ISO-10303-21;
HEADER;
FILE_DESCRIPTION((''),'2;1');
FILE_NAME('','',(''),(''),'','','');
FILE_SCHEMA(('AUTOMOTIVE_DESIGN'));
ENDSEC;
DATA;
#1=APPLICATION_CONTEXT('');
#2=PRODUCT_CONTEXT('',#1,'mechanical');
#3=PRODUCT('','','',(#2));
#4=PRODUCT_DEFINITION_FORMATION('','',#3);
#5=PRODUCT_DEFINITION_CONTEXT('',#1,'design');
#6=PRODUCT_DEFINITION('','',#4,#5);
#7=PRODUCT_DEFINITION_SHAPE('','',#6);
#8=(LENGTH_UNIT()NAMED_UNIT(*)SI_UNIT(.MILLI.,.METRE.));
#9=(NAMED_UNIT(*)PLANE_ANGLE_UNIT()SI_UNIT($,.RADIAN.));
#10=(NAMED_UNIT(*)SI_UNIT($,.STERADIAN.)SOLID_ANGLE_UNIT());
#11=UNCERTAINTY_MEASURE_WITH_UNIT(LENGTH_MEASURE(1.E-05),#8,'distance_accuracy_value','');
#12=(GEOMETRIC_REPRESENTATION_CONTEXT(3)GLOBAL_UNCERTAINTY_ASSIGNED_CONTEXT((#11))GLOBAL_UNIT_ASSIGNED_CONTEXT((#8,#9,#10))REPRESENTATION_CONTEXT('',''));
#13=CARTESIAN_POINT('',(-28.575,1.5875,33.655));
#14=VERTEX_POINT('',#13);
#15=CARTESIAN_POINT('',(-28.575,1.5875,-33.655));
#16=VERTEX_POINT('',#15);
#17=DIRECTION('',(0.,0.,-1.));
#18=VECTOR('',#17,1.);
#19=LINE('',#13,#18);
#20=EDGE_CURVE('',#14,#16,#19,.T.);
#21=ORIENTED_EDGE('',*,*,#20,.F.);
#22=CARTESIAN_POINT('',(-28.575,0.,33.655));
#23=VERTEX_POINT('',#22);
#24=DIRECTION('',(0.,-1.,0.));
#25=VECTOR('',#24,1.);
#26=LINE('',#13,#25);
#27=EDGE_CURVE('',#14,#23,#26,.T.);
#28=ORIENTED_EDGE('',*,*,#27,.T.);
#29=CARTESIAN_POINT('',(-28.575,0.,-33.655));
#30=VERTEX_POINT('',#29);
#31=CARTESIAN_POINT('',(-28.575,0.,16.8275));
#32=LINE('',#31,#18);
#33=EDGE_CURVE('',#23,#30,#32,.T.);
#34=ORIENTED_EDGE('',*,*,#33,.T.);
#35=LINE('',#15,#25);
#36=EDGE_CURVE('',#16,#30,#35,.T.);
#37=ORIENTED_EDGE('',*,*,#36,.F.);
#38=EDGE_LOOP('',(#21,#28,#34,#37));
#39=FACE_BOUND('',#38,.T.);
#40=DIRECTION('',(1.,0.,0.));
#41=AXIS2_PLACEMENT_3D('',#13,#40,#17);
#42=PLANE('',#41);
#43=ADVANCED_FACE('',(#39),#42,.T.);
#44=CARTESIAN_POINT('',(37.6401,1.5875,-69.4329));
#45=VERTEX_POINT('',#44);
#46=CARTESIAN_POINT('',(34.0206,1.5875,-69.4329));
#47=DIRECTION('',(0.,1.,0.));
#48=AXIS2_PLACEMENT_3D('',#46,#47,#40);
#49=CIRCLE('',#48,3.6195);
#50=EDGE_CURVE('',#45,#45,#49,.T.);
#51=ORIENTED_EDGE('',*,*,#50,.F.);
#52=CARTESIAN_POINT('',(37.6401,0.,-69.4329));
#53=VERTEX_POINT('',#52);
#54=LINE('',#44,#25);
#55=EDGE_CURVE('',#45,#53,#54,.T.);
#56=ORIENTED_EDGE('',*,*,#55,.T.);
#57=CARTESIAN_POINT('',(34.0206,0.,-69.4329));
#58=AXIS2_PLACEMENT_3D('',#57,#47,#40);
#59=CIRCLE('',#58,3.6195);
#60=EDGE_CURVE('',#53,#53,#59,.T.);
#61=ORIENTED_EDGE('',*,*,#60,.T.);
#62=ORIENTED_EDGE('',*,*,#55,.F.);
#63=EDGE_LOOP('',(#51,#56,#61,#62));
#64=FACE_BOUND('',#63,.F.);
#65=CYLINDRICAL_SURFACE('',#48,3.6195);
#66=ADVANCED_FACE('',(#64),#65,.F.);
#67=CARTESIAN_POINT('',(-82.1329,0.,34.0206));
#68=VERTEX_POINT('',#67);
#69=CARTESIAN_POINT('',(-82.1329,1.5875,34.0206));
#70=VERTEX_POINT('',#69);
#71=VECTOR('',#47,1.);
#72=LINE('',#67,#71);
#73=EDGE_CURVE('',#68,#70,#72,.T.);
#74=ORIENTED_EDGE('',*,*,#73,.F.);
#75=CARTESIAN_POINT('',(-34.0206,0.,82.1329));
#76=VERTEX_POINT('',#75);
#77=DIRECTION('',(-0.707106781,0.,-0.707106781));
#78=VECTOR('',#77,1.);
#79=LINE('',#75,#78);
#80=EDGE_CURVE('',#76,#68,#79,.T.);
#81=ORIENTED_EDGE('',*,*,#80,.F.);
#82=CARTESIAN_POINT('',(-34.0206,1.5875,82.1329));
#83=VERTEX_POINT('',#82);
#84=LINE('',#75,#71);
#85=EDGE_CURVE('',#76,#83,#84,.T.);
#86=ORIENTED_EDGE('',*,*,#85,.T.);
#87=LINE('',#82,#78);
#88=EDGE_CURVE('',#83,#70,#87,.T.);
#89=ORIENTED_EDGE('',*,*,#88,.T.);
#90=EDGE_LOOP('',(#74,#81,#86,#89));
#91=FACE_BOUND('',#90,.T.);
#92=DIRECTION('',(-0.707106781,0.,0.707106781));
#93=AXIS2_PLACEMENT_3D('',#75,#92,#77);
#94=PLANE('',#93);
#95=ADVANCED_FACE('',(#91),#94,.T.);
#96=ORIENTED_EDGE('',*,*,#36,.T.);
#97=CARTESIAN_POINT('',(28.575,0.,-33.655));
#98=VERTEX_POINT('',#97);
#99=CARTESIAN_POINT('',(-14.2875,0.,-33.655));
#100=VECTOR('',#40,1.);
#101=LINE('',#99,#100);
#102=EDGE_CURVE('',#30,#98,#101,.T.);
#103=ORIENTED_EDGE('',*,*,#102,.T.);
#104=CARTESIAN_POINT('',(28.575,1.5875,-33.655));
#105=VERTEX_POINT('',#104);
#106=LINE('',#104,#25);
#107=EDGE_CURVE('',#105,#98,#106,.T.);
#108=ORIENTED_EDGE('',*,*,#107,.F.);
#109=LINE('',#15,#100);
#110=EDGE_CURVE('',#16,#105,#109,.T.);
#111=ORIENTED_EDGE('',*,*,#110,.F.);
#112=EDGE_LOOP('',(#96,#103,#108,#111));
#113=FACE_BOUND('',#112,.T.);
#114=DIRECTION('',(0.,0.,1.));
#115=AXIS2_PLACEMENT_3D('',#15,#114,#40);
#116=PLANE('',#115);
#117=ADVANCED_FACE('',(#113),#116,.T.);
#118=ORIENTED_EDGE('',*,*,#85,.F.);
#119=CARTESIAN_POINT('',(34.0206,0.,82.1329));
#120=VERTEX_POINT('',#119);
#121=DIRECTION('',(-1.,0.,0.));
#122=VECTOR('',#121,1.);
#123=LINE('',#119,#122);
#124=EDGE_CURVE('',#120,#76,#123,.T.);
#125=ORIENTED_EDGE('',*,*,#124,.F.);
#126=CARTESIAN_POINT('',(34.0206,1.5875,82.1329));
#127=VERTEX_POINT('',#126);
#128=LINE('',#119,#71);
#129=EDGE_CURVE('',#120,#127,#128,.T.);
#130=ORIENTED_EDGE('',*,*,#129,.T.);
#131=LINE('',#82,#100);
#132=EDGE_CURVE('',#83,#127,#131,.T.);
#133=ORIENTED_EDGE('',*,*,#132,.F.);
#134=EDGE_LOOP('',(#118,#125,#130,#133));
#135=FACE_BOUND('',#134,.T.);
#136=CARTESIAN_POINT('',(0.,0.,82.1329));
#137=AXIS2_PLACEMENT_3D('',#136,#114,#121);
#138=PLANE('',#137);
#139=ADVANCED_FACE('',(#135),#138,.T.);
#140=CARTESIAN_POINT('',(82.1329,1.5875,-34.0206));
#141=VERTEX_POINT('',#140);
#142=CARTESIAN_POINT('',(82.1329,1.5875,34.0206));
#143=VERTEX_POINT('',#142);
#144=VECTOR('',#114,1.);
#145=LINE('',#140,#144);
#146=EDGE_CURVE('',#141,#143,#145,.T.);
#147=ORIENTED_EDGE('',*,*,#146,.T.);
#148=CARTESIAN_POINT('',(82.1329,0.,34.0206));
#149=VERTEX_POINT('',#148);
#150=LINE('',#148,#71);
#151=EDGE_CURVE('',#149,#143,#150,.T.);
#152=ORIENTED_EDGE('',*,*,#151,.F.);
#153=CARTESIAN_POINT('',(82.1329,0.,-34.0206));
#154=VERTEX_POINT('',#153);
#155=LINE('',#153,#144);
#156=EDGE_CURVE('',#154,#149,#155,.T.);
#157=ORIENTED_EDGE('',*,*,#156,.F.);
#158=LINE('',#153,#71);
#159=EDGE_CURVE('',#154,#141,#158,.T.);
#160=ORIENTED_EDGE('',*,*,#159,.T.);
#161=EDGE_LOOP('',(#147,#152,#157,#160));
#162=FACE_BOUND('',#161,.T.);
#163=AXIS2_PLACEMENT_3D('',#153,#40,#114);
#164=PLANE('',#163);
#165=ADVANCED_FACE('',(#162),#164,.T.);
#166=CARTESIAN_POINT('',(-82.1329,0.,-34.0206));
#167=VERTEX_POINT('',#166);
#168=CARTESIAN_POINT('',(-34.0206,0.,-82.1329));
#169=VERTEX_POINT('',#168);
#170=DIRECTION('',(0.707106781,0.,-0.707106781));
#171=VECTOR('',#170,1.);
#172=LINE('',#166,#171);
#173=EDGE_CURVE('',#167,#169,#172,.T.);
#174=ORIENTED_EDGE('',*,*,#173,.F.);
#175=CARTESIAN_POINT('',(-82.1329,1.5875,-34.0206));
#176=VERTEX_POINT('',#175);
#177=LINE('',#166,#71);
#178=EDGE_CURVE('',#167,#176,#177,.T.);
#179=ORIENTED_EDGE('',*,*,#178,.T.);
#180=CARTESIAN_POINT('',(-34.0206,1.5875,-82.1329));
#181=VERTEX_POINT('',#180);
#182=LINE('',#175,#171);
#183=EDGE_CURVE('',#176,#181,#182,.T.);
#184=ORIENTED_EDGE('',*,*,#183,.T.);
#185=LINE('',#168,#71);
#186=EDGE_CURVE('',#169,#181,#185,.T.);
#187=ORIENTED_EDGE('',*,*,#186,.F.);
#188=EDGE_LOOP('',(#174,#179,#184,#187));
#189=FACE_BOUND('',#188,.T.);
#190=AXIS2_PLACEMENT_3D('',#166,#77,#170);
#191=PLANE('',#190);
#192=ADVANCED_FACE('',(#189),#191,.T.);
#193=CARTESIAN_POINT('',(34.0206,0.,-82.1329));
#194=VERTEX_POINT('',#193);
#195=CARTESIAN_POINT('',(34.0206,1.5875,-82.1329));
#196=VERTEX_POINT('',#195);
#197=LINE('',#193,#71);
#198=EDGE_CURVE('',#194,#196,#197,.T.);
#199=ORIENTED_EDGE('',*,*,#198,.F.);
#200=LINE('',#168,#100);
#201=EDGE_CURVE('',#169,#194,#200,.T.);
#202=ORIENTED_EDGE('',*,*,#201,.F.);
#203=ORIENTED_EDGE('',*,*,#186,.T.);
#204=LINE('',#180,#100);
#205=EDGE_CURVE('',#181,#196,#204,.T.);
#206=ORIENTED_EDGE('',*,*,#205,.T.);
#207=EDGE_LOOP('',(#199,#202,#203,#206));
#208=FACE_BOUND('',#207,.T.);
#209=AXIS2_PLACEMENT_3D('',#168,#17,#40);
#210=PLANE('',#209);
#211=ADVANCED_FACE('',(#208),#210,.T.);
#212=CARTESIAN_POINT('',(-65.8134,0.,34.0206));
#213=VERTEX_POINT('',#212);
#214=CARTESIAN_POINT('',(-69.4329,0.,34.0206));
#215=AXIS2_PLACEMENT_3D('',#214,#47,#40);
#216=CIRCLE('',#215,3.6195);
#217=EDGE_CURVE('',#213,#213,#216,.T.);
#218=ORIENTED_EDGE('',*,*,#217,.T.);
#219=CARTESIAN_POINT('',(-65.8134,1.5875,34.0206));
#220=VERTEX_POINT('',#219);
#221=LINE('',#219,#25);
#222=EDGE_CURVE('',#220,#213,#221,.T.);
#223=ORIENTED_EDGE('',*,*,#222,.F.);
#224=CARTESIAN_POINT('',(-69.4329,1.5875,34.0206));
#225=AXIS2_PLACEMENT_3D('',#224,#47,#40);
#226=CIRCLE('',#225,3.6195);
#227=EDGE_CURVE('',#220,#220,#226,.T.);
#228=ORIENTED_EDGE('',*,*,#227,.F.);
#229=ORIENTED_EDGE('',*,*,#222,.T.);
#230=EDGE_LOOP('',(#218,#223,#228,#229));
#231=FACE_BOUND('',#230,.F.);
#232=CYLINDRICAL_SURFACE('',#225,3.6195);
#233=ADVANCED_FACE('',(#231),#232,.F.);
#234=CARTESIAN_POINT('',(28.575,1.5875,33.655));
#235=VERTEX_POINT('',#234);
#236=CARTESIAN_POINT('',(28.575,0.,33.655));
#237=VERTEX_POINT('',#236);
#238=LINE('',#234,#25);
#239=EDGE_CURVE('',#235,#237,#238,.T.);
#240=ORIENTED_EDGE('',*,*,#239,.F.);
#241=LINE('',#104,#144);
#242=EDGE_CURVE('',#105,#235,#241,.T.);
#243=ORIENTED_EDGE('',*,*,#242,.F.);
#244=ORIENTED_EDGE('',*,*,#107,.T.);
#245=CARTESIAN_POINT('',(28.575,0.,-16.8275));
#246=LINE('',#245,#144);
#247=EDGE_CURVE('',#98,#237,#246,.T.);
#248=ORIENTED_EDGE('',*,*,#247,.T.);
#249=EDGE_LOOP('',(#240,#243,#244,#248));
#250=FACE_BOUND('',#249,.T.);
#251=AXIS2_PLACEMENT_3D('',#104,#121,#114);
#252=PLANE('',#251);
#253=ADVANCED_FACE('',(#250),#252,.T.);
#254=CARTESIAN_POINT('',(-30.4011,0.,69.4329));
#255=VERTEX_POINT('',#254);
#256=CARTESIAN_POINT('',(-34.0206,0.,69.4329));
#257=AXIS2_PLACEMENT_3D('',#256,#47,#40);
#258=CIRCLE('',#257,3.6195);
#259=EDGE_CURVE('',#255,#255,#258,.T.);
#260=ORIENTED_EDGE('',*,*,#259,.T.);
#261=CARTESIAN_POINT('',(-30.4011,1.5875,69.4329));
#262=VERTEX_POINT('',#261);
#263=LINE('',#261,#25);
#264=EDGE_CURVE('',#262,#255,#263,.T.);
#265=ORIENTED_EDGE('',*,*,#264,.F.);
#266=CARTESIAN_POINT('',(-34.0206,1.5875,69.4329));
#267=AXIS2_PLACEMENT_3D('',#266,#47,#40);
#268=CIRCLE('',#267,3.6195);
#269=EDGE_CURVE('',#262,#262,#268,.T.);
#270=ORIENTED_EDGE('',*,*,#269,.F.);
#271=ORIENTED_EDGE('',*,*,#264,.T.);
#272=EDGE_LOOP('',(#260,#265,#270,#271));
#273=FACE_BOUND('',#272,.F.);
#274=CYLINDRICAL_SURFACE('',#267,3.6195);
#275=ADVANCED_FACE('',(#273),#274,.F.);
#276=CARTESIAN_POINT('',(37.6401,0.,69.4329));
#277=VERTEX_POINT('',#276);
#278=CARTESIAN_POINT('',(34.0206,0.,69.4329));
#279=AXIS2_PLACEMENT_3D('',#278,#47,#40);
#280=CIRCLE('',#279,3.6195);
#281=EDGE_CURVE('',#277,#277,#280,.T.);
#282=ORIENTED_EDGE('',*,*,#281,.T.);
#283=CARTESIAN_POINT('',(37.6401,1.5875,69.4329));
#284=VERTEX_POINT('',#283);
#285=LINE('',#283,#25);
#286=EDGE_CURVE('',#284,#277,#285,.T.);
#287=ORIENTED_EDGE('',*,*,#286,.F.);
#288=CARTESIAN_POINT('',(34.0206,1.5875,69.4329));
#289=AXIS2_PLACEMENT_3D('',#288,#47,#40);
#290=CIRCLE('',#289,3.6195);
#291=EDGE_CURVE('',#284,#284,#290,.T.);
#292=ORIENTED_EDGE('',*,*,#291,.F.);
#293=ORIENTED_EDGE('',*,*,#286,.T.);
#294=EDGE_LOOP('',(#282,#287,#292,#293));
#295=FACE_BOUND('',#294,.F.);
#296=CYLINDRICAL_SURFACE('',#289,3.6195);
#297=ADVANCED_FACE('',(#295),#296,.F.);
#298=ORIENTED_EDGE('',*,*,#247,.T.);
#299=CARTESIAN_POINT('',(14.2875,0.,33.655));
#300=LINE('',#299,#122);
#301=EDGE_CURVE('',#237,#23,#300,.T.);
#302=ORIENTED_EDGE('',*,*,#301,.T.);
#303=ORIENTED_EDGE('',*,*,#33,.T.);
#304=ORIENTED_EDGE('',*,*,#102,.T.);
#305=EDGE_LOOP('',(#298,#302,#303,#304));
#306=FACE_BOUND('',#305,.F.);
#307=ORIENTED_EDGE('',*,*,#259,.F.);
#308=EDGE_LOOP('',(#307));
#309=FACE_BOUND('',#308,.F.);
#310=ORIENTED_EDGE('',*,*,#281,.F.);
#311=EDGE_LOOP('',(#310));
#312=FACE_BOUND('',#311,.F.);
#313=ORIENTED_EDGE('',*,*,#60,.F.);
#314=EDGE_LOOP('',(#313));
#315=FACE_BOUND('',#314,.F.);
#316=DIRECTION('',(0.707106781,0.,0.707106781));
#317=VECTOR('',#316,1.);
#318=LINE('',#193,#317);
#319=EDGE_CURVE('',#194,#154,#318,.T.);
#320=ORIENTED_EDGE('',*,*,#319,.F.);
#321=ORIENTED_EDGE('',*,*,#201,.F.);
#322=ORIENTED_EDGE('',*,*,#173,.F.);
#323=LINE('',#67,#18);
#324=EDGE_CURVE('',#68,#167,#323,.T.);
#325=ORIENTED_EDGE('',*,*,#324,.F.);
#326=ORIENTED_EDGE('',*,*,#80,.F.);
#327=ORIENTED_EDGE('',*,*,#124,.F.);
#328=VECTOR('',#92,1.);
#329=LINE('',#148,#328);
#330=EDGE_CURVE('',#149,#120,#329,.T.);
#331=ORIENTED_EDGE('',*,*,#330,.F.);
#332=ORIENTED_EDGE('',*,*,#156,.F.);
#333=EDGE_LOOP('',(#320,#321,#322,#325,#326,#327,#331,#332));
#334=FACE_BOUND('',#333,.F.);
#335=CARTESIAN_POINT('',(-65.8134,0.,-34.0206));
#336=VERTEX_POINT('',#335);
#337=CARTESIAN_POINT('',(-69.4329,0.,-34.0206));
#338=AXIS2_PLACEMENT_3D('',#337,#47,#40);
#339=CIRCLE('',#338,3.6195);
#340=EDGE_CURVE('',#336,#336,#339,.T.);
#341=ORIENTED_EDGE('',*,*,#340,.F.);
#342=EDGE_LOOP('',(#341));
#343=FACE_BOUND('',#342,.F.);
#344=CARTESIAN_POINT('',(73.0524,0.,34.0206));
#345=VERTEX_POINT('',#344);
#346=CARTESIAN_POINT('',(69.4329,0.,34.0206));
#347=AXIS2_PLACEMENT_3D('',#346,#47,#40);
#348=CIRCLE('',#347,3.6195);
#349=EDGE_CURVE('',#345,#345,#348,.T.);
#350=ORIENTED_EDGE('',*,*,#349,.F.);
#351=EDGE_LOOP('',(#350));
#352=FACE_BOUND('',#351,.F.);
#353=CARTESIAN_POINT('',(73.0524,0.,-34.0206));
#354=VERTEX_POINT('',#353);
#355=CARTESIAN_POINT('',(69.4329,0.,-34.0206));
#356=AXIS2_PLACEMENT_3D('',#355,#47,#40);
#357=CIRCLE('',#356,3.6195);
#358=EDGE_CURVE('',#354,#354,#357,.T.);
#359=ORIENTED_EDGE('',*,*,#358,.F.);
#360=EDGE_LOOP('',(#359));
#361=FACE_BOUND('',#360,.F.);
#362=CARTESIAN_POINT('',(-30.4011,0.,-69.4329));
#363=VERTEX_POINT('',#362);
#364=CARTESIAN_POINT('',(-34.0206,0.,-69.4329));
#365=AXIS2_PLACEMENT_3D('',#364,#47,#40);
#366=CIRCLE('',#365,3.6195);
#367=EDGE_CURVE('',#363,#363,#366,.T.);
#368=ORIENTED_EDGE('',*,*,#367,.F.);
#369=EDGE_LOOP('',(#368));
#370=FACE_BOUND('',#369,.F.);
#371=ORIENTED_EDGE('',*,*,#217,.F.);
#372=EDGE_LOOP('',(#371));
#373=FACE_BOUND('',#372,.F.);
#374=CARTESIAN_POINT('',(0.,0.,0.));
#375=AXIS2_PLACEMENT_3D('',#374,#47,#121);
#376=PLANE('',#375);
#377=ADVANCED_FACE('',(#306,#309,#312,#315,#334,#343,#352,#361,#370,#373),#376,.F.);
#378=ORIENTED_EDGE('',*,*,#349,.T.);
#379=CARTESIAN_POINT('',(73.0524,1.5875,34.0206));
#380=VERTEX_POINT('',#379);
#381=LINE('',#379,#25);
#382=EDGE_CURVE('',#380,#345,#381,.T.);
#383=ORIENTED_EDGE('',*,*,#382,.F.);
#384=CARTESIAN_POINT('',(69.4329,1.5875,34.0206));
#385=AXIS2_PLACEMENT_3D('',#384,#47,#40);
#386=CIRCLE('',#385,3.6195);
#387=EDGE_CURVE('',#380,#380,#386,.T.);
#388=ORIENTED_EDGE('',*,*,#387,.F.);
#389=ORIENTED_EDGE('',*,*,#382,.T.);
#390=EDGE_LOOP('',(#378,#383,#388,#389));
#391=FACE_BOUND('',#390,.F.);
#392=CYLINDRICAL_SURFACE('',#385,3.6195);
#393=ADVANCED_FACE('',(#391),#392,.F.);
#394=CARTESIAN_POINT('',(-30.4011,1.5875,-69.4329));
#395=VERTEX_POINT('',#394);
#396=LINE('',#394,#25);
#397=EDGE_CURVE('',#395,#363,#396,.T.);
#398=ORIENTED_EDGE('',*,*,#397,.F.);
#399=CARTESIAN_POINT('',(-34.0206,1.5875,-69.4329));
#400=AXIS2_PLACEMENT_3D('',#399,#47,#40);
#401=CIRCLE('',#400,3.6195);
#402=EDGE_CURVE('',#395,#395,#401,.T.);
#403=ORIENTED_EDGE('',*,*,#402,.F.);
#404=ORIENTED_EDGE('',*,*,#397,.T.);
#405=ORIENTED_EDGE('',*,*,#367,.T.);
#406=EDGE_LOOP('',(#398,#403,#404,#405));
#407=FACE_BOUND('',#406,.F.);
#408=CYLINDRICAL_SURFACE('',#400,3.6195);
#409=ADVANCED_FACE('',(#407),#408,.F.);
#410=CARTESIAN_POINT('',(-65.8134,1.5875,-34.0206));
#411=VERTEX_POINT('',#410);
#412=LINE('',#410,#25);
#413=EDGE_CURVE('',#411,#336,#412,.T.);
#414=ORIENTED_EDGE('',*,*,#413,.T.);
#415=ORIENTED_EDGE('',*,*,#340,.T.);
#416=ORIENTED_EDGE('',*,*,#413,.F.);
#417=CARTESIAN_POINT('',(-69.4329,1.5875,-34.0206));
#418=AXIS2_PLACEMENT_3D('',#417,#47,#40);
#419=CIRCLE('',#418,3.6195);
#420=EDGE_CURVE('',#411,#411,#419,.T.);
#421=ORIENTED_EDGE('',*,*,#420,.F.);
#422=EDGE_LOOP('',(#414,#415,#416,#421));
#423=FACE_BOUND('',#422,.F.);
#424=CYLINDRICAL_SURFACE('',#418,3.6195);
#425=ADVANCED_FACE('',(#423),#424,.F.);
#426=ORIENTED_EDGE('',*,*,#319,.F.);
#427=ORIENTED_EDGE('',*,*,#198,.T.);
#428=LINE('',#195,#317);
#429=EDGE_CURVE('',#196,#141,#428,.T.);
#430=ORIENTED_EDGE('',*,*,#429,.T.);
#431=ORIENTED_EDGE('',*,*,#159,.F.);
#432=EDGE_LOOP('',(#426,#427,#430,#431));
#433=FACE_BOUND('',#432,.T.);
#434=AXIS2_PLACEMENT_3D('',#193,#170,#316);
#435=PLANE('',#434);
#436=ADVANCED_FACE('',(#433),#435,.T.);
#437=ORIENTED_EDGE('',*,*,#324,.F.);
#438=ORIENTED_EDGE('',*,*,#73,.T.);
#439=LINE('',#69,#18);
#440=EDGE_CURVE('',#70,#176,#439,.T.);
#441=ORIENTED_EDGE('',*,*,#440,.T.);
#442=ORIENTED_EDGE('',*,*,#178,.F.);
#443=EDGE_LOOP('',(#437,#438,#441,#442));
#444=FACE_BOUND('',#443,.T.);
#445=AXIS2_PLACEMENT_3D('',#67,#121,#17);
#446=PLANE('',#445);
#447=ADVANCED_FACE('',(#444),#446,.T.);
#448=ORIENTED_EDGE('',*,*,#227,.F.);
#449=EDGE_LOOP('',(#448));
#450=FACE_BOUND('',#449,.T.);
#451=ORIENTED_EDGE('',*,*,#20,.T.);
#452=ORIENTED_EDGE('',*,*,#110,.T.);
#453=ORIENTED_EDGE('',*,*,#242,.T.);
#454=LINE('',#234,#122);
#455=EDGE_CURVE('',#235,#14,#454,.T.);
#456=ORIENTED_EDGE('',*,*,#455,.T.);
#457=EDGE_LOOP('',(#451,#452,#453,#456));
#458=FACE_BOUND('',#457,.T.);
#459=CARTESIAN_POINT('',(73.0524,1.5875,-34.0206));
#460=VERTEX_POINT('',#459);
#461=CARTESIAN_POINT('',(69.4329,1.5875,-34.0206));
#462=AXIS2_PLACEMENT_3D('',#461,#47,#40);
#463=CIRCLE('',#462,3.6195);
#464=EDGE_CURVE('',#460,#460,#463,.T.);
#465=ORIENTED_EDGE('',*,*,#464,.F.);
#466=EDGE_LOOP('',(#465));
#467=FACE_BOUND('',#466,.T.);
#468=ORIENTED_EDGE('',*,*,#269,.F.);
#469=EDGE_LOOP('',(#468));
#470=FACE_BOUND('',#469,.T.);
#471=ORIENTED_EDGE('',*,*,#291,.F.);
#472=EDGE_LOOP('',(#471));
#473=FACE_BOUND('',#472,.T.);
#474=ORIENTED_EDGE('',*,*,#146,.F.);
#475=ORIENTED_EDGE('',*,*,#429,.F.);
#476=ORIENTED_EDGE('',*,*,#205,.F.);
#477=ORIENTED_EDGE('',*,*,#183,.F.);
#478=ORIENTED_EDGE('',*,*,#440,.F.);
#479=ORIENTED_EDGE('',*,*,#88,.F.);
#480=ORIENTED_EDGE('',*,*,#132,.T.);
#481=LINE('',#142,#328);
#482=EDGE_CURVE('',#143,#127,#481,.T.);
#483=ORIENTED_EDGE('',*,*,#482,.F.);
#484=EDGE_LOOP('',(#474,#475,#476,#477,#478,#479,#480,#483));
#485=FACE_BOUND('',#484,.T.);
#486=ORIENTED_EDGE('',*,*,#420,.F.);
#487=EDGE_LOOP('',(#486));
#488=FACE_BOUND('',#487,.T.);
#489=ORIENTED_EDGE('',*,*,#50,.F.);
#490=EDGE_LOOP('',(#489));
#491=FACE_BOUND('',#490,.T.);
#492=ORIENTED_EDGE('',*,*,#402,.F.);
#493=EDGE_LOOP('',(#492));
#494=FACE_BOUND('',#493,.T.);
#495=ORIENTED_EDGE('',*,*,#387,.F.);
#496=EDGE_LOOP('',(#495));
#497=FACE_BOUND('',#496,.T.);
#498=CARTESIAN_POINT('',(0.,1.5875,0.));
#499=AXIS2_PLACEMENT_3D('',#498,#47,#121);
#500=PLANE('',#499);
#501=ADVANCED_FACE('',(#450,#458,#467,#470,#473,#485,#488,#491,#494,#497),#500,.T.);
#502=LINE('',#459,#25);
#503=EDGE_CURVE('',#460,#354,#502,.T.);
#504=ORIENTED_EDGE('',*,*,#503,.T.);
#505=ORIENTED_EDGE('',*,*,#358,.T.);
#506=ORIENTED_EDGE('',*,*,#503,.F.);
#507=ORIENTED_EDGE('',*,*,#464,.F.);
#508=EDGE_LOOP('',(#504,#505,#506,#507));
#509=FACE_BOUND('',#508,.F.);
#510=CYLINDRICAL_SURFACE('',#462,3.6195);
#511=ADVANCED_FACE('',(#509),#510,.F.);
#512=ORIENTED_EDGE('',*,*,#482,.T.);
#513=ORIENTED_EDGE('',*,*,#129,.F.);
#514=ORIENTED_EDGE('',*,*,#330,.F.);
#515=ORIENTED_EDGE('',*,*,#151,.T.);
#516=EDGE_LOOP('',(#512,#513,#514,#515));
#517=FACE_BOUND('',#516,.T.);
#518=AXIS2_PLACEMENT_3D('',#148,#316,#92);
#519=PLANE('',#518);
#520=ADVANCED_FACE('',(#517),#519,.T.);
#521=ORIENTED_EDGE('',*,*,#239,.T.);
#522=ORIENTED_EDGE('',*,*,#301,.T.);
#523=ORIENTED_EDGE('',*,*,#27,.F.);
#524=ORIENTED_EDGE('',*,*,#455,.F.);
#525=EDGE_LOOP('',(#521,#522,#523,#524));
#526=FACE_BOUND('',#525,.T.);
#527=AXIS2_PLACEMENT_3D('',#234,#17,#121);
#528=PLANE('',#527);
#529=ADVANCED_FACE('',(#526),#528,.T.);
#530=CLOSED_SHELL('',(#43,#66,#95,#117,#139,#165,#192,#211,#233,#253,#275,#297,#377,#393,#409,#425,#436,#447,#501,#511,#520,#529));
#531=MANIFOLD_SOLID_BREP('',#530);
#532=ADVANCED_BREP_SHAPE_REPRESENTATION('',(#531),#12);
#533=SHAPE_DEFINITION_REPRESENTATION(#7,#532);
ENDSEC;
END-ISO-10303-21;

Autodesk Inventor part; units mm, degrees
ref_plane "YZ Plane" through (0, 0, 0) normal (1, 0, 0) x (0, 1, 0)
ref_plane "XZ Plane" through (0, 0, 0) normal (0, 1, 0) x (-1, 0, 0)
ref_plane "XY Plane" through (0, 0, 0) normal (0, 0, 1) x (1, 0, 0)
sketch "Sketch1" plane through (0, 0, 0) normal (0, 1, 0) x (-1, 0, 0)
  circle A0 centre (0, 0) radius 88.9
  line L0 (0, 0) -> (121.8821, 50.4852)
  line L1 (0, 0) -> (0, 134.8176)
  line L2 (82.1329, 34.0206) -> (82.1329, -34.0206)
  line L3 (82.1329, -34.0206) -> (34.0206, -82.1329)
  line L4 (34.0206, -82.1329) -> (-34.0206, -82.1329)
  line L5 (-34.0206, -82.1329) -> (-82.1329, -34.0206)
  line L6 (-82.1329, -34.0206) -> (-82.1329, 34.0206)
  line L7 (-82.1329, 34.0206) -> (-34.0206, 82.1329)
  line L8 (-34.0206, 82.1329) -> (34.0206, 82.1329)
  line L9 (34.0206, 82.1329) -> (82.1329, 34.0206)
  dimension "d0" = 177.8
  dimension "d1" = 67.5
  dimension "d2" = 164.2658
extrude "Extrusion1" add sketch "Sketch1" along normal blind 1.5875 contours L2 L3 L4 L5 L6 L7 L8 L1 L0 | L0 L1 L8 L9
sketch "Sketch2" plane through (0, 1.5875, 0) normal (0, 1, 0) x (1, 0, 0)
  line L0 (28.575, -33.655) -> (-28.575, -33.655)
  line L1 (-28.575, -33.655) -> (-28.575, 33.655)
  line L2 (-28.575, 33.655) -> (28.575, 33.655)
  line L3 (28.575, 33.655) -> (28.575, -33.655)
  line L4 (28.575, -33.655) -> (-28.575, 33.655) construction
  line L5 (-28.575, -33.655) -> (28.575, 33.655) construction
  point P0 (0, 0)
  dimension "d5" = 57.15
  dimension "d6" = 67.31
extrude "Extrusion2" cut sketch "Sketch2" against normal through all
sketch "Sketch3" plane through (0, 1.5875, 0) normal (0, 1, 0) x (1, 0, 0)
  circle A0 centre (-69.4329, -34.0206) radius 3.6195
  line L0 (-82.1329, 34.0206) -> (-82.1329, -34.0206) projected
  line L1 (-91.914, 0) -> (-48.5333, 0)
  circle A1 centre (-69.4329, 34.0206) radius 3.6195
  circle A2 centre (-34.0206, -69.4329) radius 3.6195
  circle A3 centre (34.0206, -69.4329) radius 3.6195
  circle A4 centre (69.4329, -34.0206) radius 3.6195
  circle A5 centre (69.4329, 34.0206) radius 3.6195
  circle A6 centre (34.0206, 69.4329) radius 3.6195
  circle A7 centre (-34.0206, 69.4329) radius 3.6195
  point P0 (0, 0)
  dimension "d9" = 7.239
  dimension "d10" = 12.7
  dimension "d11" = 0
  dimension "d14" = 360
extrude "Extrusion3" cut sketch "Sketch3" against normal through all
properties part number "Layer"
